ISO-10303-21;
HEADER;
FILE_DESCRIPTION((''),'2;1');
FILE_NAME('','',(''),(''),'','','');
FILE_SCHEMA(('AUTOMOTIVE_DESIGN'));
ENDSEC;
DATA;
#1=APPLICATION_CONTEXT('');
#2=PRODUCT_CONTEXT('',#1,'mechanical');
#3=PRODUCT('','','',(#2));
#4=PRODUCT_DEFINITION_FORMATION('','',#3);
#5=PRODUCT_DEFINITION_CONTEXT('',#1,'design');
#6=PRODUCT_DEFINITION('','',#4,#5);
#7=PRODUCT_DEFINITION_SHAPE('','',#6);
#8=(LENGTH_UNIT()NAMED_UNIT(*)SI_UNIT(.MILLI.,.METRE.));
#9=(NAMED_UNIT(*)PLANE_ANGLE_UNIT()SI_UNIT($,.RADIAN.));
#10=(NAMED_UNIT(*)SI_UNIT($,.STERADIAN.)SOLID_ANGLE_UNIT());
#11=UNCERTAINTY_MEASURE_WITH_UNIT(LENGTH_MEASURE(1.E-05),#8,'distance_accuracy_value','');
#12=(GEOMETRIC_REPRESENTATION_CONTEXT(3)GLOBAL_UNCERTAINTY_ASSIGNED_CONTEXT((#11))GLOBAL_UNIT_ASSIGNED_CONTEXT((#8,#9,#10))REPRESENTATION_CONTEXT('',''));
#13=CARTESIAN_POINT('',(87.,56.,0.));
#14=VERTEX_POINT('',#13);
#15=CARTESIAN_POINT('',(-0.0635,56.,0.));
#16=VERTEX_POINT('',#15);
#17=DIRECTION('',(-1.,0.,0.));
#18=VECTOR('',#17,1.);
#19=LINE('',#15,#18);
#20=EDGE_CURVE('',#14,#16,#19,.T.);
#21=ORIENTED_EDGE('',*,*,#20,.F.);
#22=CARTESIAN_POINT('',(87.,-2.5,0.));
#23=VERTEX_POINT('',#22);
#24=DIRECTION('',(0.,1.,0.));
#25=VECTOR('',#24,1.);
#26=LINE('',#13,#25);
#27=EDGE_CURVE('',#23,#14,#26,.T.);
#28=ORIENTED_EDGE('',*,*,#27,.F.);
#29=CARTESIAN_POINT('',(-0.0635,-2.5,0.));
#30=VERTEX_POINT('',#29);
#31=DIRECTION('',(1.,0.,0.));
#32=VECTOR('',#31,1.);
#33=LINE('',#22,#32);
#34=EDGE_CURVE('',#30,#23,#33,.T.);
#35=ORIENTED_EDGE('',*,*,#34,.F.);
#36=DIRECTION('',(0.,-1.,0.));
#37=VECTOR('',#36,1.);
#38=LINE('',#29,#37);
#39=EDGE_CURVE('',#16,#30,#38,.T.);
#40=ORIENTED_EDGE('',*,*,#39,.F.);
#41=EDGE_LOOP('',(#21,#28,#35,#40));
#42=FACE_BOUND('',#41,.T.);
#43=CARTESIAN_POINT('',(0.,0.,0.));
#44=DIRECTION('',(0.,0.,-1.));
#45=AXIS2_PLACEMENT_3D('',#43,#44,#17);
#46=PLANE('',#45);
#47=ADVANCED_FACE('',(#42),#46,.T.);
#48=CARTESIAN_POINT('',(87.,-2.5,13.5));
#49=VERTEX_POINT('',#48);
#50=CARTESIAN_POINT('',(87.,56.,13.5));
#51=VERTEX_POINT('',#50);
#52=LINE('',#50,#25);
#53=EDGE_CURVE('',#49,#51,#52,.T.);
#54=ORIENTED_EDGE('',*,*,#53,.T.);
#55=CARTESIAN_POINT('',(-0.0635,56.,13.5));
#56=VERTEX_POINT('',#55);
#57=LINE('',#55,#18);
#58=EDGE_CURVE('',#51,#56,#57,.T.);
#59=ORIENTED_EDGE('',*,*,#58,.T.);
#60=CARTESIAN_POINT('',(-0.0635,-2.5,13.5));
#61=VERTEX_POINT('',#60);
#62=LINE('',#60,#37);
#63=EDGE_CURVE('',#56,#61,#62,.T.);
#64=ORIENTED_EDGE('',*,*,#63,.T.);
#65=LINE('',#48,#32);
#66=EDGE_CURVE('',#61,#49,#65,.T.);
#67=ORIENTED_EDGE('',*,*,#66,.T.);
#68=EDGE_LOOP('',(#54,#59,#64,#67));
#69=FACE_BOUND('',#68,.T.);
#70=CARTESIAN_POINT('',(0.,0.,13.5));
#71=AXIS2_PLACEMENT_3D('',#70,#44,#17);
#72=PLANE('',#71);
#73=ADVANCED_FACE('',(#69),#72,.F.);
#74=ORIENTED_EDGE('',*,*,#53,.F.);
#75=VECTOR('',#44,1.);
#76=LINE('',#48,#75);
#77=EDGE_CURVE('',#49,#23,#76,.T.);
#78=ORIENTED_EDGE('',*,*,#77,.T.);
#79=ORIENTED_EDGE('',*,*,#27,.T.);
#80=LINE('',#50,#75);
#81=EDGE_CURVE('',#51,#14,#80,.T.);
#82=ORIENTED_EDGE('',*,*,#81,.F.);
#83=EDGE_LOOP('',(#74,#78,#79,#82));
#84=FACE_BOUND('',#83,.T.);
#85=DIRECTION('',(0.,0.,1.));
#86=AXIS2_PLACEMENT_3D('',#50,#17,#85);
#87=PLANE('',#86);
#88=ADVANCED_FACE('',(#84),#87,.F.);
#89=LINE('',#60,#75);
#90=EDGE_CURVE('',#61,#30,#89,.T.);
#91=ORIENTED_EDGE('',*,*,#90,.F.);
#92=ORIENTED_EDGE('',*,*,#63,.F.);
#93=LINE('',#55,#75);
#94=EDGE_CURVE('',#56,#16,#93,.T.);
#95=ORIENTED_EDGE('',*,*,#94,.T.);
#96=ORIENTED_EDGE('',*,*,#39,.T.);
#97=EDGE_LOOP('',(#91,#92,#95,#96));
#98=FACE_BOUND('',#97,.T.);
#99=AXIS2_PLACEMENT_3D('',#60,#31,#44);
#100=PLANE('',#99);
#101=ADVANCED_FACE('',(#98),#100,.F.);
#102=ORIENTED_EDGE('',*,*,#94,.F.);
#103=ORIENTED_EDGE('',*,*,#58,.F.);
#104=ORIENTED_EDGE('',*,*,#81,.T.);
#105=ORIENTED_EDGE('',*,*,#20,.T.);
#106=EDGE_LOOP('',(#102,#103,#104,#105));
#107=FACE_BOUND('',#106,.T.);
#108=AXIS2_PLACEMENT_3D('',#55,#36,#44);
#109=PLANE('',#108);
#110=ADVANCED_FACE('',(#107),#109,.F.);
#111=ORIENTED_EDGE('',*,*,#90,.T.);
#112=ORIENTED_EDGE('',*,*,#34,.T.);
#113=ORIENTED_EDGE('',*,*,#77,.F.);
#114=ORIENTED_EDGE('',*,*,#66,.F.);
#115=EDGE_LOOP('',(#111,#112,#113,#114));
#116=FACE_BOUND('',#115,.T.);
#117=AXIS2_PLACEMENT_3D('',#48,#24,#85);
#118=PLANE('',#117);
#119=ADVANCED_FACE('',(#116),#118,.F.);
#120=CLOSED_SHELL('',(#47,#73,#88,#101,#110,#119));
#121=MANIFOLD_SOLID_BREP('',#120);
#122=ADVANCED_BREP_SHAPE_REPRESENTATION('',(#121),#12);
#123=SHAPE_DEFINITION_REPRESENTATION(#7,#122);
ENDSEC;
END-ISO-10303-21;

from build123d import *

# Parameters (mm, degrees)
ESQUISSE1_W             = 87.0635
ESQUISSE1_H             = 58.5
COMPONENT_OUTLINE_DEPTH = 13.5


with BuildPart() as part:
    # Esquisse1 → Component_Outline (new body)
    with BuildSketch(Plane.XY):
        with Locations((43.46825, 26.75)):
            Rectangle(ESQUISSE1_W, ESQUISSE1_H)
    extrude(amount=COMPONENT_OUTLINE_DEPTH)


solid = part.part
